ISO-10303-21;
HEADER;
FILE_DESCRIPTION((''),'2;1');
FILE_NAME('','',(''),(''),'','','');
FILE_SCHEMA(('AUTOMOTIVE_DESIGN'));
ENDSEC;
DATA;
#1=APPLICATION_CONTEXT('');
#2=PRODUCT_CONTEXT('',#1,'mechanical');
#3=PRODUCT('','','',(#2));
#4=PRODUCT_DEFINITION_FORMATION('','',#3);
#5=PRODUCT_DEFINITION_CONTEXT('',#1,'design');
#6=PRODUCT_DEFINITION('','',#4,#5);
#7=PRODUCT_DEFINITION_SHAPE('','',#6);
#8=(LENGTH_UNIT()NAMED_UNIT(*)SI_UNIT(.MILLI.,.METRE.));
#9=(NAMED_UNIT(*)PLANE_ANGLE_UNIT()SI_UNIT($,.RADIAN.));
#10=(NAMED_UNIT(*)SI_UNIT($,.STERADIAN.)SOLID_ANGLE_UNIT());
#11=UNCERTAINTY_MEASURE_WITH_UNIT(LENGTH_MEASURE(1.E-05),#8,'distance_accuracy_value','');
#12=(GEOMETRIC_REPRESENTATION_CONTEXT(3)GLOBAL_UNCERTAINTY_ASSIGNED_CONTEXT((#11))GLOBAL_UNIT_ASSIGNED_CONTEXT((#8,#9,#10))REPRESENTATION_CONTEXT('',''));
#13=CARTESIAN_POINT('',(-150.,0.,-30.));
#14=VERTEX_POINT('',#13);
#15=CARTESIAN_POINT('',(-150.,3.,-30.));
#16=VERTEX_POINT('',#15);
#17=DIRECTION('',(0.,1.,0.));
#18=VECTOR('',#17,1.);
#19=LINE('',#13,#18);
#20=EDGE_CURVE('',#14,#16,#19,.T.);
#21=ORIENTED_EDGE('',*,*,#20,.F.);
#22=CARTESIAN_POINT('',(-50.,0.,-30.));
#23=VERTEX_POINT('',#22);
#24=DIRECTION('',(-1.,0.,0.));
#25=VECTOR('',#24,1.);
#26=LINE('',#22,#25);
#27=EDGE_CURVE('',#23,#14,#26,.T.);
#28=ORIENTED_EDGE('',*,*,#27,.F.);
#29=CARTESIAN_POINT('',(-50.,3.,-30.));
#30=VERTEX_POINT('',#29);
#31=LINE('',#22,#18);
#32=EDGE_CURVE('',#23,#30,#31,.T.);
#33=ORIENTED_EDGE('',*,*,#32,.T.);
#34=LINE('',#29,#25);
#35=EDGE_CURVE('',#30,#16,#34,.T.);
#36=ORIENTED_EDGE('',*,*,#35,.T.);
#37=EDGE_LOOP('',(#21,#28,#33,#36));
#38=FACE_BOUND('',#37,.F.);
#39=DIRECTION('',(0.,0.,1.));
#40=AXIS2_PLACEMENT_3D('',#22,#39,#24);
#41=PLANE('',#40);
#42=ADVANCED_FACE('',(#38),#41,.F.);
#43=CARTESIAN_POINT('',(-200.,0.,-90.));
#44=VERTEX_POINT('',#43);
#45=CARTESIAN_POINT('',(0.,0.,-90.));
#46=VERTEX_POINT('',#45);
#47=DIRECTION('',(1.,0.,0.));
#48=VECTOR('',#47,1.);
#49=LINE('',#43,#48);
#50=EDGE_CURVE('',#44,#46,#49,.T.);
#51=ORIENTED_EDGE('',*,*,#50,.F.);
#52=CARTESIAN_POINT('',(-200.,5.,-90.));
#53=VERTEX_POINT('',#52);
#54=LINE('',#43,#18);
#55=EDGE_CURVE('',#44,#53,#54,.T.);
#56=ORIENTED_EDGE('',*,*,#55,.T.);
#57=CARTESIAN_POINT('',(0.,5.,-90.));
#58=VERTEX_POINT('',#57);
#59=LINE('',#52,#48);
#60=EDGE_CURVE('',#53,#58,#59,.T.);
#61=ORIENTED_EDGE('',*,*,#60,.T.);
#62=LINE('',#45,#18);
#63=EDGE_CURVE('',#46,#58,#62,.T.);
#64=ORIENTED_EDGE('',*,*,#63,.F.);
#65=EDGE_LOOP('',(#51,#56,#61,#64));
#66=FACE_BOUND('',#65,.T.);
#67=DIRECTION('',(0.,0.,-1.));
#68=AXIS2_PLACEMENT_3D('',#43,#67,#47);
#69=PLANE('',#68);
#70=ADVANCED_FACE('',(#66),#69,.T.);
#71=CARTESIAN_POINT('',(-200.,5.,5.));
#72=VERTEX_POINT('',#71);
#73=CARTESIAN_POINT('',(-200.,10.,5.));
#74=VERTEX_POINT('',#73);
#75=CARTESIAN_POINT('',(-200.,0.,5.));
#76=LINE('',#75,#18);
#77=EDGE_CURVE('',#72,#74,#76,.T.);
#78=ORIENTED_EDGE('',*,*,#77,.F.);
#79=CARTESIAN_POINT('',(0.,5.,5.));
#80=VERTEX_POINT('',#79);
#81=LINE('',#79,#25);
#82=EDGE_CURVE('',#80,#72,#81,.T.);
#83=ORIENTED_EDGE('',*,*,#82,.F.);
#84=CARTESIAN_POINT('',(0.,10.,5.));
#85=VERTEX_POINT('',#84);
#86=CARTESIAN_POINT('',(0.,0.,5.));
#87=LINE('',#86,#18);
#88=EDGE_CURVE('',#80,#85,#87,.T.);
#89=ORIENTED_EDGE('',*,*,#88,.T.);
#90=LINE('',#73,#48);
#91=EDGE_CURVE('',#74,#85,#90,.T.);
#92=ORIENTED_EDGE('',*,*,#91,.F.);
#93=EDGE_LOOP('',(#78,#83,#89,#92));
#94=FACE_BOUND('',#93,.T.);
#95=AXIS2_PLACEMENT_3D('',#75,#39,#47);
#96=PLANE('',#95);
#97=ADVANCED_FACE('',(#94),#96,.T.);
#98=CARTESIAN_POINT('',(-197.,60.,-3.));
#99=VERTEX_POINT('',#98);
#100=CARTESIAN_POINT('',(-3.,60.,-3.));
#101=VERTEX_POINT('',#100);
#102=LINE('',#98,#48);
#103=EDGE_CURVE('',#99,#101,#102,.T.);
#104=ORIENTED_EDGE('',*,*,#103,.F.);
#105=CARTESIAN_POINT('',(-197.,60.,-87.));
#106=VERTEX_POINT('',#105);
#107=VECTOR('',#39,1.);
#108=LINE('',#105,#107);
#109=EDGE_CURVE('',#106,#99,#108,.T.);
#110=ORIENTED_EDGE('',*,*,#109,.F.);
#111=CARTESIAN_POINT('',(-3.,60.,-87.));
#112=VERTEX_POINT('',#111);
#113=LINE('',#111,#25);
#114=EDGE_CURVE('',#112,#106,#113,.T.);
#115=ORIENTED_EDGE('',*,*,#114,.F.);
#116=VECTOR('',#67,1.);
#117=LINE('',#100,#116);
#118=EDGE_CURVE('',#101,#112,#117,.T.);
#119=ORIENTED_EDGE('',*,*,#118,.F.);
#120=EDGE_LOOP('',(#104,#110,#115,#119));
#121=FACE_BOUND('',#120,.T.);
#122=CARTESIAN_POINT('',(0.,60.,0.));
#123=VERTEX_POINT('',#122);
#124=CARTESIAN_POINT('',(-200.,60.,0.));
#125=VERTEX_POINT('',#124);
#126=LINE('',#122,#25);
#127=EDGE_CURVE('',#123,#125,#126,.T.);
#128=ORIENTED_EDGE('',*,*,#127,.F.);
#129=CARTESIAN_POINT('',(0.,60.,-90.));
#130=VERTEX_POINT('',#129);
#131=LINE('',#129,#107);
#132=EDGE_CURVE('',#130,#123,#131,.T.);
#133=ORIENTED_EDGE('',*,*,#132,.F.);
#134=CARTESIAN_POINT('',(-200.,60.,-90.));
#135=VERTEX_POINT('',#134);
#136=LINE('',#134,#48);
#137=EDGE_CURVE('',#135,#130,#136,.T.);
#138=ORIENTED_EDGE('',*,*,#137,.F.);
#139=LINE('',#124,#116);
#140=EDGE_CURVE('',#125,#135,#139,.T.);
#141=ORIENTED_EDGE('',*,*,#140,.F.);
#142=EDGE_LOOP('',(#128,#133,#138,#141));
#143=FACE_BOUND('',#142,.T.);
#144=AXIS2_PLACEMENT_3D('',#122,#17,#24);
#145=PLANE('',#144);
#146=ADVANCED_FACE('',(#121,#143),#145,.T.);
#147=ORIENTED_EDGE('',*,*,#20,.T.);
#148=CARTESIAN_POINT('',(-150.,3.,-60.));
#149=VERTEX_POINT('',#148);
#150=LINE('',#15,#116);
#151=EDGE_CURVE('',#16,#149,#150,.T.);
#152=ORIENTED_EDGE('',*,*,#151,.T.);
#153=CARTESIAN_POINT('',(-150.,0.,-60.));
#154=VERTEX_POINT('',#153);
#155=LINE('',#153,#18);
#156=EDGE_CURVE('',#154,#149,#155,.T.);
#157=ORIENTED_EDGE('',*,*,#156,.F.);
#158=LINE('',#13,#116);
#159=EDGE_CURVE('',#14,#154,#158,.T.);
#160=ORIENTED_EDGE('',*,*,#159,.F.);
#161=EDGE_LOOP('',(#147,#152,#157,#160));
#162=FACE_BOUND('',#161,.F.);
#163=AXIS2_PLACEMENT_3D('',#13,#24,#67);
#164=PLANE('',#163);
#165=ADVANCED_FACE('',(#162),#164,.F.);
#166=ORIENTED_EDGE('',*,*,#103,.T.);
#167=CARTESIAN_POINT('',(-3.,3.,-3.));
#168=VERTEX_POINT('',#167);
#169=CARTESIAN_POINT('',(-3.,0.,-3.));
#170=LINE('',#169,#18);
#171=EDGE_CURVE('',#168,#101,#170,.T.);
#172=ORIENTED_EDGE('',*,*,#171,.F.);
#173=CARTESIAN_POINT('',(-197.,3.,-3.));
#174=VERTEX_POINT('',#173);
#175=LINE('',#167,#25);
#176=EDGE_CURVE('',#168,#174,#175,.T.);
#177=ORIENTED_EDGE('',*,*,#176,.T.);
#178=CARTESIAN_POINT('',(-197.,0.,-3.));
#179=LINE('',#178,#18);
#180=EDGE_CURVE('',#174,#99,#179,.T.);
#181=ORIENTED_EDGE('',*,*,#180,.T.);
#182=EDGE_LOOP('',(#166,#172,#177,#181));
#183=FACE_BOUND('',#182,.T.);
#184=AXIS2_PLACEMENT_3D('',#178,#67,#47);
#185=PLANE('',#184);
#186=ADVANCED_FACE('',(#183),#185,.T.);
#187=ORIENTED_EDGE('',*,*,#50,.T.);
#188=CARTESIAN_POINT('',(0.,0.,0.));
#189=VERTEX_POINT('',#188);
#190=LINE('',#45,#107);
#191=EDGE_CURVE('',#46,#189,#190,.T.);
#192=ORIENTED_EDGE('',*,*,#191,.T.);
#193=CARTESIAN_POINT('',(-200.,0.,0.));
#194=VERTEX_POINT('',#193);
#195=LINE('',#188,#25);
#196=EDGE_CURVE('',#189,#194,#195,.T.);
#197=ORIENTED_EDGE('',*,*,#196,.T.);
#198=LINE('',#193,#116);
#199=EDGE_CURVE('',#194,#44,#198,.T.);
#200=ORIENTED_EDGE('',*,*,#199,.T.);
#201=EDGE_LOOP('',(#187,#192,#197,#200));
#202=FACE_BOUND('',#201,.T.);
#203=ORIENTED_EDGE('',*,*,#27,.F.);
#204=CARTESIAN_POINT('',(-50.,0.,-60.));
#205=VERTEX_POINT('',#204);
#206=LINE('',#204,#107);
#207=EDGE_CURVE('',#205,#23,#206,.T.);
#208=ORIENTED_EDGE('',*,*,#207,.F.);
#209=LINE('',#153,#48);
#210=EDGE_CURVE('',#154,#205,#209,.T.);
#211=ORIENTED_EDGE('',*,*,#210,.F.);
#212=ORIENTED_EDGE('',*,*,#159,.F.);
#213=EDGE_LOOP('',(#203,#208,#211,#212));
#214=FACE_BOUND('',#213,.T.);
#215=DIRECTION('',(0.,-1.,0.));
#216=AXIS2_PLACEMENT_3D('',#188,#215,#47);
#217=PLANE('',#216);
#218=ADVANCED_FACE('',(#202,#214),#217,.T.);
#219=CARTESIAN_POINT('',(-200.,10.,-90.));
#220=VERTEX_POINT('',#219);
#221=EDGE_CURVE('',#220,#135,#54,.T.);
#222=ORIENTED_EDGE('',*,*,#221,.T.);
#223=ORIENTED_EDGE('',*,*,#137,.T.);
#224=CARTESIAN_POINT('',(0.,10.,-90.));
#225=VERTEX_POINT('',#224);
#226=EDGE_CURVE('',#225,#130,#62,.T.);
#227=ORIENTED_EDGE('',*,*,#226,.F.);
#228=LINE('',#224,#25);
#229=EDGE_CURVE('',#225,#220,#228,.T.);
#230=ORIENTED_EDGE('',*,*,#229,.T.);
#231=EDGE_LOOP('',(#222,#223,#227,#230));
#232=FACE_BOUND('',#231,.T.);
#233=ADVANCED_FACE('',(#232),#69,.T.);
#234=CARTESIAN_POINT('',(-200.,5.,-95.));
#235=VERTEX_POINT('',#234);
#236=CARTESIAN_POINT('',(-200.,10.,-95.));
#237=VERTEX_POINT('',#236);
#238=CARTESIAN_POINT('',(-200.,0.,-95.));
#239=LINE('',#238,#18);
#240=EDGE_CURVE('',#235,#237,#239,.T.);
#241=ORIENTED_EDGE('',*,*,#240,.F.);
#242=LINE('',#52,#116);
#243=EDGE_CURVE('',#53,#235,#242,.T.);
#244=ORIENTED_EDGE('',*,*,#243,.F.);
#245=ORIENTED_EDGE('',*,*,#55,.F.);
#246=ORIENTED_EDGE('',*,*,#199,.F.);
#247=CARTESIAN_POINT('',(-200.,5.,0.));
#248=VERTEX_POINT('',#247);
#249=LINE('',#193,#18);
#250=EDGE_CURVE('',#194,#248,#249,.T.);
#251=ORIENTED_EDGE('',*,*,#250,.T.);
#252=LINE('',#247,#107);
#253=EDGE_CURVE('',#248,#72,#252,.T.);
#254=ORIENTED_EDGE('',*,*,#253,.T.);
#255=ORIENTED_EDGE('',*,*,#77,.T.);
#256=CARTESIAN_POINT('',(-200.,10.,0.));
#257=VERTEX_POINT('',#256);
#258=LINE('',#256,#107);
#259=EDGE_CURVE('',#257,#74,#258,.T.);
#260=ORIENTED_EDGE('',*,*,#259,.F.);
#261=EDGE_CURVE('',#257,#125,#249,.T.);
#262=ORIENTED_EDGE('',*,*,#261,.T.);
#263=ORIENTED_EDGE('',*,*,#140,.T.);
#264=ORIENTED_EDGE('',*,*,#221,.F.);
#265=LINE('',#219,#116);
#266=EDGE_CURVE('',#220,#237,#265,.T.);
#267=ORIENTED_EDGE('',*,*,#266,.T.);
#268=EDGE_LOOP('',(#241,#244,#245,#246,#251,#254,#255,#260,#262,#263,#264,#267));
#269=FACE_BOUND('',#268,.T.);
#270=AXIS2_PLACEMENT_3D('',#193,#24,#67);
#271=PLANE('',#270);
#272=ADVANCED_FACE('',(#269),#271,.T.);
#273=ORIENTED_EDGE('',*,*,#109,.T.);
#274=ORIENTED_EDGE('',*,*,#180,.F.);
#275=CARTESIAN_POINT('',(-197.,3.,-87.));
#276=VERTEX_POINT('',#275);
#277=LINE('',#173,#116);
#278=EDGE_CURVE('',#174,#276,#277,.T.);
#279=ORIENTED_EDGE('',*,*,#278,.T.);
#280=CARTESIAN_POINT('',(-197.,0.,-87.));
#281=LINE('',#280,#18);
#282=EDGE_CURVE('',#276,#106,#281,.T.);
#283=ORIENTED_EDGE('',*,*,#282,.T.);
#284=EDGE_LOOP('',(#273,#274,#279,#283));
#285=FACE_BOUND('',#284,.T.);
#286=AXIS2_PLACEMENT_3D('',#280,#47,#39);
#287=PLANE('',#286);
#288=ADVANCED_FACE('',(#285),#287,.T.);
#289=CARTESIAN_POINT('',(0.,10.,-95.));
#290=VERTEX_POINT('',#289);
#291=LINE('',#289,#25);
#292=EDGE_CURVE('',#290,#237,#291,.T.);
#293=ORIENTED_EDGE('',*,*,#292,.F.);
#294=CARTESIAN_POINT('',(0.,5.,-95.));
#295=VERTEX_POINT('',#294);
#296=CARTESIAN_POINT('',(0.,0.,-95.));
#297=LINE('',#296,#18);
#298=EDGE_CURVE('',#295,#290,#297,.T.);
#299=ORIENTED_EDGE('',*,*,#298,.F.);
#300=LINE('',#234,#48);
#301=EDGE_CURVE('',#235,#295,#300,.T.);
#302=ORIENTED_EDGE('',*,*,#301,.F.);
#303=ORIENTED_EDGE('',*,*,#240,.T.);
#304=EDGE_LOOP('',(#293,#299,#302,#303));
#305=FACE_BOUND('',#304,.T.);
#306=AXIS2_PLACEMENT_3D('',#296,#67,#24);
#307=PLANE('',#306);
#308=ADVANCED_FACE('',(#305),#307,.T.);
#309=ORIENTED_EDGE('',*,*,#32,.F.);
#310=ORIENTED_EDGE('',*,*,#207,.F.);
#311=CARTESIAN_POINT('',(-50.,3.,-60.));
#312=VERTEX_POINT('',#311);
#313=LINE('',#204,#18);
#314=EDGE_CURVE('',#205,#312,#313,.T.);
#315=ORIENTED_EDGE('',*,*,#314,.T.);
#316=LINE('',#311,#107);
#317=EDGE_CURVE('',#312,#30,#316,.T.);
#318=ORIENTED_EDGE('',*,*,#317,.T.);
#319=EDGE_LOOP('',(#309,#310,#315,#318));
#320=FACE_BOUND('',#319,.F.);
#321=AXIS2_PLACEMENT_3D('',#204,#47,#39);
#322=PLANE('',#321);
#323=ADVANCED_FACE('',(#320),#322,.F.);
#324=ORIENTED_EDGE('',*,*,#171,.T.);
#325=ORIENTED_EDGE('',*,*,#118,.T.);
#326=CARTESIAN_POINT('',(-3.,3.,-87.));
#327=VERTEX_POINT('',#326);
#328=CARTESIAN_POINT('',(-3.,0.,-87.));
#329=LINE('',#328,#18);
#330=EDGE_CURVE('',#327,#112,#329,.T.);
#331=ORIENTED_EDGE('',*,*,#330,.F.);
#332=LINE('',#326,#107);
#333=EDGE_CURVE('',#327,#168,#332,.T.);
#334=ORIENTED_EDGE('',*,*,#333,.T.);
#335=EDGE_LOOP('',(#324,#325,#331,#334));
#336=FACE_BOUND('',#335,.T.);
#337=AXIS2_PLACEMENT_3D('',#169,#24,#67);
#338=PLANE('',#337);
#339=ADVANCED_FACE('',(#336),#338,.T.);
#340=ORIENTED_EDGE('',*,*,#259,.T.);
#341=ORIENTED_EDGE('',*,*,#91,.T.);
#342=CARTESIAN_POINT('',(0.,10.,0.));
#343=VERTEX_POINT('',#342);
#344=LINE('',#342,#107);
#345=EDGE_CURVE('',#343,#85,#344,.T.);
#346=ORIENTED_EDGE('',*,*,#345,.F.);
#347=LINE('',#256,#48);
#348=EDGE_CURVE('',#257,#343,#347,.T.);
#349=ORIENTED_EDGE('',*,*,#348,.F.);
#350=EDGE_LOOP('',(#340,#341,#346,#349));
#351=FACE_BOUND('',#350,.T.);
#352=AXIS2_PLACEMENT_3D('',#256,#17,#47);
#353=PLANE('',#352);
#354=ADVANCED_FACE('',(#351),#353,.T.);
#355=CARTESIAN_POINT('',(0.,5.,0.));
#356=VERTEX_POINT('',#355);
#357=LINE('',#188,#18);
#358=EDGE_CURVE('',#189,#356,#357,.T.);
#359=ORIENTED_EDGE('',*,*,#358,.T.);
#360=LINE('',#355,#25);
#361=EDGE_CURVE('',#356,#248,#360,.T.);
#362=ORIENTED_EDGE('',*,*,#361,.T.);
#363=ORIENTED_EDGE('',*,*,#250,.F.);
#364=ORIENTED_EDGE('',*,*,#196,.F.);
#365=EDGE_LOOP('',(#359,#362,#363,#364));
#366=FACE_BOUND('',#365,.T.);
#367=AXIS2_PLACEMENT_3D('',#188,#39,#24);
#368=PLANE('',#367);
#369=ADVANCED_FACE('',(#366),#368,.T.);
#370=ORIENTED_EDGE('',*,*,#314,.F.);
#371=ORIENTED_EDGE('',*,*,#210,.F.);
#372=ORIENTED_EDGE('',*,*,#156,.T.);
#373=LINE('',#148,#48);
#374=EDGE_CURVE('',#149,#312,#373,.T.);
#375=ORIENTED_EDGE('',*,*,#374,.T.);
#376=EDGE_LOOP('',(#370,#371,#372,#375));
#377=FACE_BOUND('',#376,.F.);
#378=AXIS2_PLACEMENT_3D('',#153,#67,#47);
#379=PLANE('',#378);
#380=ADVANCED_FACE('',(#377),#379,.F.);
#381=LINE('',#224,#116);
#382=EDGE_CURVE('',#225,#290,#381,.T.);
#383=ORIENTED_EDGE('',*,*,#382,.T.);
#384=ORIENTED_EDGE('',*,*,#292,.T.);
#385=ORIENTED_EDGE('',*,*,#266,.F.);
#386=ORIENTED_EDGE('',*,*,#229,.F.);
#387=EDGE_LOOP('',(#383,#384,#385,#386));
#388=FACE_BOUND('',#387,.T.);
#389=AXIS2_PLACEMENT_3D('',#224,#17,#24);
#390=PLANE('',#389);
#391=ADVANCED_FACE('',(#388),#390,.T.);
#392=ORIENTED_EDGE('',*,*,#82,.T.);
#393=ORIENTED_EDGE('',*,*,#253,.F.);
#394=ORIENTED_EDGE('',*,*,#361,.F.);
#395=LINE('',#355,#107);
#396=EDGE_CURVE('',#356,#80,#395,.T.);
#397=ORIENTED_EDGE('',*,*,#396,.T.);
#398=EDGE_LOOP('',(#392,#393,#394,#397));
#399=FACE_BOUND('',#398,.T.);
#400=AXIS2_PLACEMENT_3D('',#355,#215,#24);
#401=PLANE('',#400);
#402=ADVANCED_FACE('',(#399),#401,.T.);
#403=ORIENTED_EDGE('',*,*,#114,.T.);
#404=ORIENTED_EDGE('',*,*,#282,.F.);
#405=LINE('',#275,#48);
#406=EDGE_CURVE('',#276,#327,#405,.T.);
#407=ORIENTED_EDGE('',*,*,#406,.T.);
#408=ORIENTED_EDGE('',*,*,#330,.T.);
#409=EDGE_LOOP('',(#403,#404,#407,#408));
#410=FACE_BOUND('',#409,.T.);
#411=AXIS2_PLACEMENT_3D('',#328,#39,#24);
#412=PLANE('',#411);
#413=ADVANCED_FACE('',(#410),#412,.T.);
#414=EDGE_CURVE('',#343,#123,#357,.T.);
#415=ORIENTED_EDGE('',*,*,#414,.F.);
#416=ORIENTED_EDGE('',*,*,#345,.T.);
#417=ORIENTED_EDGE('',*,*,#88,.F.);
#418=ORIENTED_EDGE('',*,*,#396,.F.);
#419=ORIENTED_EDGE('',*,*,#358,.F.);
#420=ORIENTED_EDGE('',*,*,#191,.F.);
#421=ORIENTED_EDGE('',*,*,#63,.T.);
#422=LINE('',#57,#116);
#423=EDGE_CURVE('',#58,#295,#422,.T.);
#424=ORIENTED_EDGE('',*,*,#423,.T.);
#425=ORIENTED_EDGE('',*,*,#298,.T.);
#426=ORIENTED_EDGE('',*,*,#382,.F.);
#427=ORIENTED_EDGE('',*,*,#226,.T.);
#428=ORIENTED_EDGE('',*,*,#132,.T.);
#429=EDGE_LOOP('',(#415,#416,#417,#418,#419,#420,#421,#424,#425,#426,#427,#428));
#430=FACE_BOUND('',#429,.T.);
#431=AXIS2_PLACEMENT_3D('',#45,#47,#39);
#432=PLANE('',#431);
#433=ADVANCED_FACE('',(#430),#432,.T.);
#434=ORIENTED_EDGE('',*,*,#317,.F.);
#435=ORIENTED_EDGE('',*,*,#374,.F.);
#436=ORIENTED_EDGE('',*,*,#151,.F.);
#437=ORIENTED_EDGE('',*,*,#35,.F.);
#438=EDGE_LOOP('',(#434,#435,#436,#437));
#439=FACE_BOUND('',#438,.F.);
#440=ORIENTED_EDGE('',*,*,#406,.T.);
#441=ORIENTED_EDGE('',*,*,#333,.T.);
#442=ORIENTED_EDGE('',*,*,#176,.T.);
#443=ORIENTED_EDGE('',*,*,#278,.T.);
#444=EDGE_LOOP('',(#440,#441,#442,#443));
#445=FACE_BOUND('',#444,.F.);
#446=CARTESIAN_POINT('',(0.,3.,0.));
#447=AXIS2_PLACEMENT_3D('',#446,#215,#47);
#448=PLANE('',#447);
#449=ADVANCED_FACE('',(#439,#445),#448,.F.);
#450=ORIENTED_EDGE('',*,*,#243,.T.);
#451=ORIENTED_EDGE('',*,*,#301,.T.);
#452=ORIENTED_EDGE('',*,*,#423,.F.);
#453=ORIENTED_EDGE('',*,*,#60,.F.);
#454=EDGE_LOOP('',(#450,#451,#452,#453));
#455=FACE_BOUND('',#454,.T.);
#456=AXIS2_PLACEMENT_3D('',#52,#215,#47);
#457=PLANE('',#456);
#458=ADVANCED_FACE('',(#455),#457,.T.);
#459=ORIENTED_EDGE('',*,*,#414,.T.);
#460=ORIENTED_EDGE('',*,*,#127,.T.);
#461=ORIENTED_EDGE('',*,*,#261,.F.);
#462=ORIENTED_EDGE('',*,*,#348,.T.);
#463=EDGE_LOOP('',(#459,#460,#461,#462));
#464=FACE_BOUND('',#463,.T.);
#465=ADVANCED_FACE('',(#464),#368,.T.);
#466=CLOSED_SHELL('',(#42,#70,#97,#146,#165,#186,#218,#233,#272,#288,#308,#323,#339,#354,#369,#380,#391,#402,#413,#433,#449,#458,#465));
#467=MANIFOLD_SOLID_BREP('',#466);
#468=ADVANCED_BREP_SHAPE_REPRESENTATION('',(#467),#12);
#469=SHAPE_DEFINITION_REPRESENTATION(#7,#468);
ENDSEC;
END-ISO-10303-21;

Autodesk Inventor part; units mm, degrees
ref_plane "YZ Plane" through (0, 0, 0) normal (1, 0, 0) x (0, 1, 0)
ref_plane "XZ Plane" through (0, 0, 0) normal (0, 1, 0) x (-1, 0, 0)
ref_plane "XY Plane" through (0, 0, 0) normal (0, 0, 1) x (1, 0, 0)
sketch "Sketch1" plane through (0, 0, 0) normal (0, 1, 0) x (-1, 0, 0)
  line L0 (0, 0) -> (200, 0)
  line L1 (200, 0) -> (200, -90)
  line L2 (200, -90) -> (0, -90)
  line L3 (0, -90) -> (0, 0)
  line L4 (197, -87) -> (197, -3)
  line L5 (197, -3) -> (3, -3)
  line L6 (3, -3) -> (3, -87)
  line L7 (3, -87) -> (197, -87)
  dimension "d0" = 200
  dimension "d1" = 90
  dimension "d2" = 3
extrude "Extrusion1" add sketch "Sketch1" along normal blind 60
sketch "Sketch2" plane through (-200, 0, 0) normal (0, 0, 1) x (1, 0, 0)
  line L0 (0, 0) -> (0, 60) projected
  line L1 (200, 0) -> (200, 60) projected
  line L2 (0, 10) -> (200, 10)
  line L3 (200, 10) -> (200, 5)
  line L4 (200, 5) -> (0, 5)
  line L5 (0, 5) -> (0, 10)
  line L6 (0, 0) -> (200, 0) projected
  point P0 (0, 5)
  dimension "d5" = 5
  dimension "d6" = 5
extrude "Extrusion2" add sketch "Sketch2" along normal blind 5 contours L0 L2 L1 L4
sketch "Sketch3" plane through (0, 0, -90) normal (0, 0, -1) x (-1, 0, 0)
  line L0 (0, 0) -> (0, 60) projected
  line L1 (200, 0) -> (200, 60) projected
  line L2 (0, 10) -> (200, 10)
  line L3 (200, 10) -> (200, 5)
  line L4 (200, 5) -> (0, 5)
  line L5 (0, 5) -> (0, 10)
  line L6 (0, 0) -> (200, 0) projected
  point P0 (0, 5)
  dimension "d9" = 5
  dimension "d10" = 5
extrude "Extrusion3" add sketch "Sketch3" along normal blind 5 contours L0 L2 L1 L4
sketch "Sketch4" plane through (0, 0, 0) normal (0, -1, 0) x (1, 0, 0)
  line L0 (-197, -3) -> (-197, -87) projected
  line L1 (-3, -3) -> (-197, -3)
  line L2 (-197, -3) -> (-197, -87)
  line L3 (-197, -87) -> (-3, -87)
  line L4 (-3, -87) -> (-3, -3)
  line L5 (-50, -30) -> (-150, -30)
  line L6 (-150, -30) -> (-150, -60)
  line L7 (-150, -60) -> (-50, -60)
  line L8 (-50, -60) -> (-50, -30)
  line L9 (-200, -90) -> (-200, 0) projected
  line L10 (-200, 0) -> (0, 0) projected
  dimension "d13" = 100
  dimension "d14" = 30
  dimension "d16" = 50
  dimension "d17" = 30
extrude "Extrusion4" add sketch "Sketch4" against normal blind 3
properties part number "caja de mascarilllas"
